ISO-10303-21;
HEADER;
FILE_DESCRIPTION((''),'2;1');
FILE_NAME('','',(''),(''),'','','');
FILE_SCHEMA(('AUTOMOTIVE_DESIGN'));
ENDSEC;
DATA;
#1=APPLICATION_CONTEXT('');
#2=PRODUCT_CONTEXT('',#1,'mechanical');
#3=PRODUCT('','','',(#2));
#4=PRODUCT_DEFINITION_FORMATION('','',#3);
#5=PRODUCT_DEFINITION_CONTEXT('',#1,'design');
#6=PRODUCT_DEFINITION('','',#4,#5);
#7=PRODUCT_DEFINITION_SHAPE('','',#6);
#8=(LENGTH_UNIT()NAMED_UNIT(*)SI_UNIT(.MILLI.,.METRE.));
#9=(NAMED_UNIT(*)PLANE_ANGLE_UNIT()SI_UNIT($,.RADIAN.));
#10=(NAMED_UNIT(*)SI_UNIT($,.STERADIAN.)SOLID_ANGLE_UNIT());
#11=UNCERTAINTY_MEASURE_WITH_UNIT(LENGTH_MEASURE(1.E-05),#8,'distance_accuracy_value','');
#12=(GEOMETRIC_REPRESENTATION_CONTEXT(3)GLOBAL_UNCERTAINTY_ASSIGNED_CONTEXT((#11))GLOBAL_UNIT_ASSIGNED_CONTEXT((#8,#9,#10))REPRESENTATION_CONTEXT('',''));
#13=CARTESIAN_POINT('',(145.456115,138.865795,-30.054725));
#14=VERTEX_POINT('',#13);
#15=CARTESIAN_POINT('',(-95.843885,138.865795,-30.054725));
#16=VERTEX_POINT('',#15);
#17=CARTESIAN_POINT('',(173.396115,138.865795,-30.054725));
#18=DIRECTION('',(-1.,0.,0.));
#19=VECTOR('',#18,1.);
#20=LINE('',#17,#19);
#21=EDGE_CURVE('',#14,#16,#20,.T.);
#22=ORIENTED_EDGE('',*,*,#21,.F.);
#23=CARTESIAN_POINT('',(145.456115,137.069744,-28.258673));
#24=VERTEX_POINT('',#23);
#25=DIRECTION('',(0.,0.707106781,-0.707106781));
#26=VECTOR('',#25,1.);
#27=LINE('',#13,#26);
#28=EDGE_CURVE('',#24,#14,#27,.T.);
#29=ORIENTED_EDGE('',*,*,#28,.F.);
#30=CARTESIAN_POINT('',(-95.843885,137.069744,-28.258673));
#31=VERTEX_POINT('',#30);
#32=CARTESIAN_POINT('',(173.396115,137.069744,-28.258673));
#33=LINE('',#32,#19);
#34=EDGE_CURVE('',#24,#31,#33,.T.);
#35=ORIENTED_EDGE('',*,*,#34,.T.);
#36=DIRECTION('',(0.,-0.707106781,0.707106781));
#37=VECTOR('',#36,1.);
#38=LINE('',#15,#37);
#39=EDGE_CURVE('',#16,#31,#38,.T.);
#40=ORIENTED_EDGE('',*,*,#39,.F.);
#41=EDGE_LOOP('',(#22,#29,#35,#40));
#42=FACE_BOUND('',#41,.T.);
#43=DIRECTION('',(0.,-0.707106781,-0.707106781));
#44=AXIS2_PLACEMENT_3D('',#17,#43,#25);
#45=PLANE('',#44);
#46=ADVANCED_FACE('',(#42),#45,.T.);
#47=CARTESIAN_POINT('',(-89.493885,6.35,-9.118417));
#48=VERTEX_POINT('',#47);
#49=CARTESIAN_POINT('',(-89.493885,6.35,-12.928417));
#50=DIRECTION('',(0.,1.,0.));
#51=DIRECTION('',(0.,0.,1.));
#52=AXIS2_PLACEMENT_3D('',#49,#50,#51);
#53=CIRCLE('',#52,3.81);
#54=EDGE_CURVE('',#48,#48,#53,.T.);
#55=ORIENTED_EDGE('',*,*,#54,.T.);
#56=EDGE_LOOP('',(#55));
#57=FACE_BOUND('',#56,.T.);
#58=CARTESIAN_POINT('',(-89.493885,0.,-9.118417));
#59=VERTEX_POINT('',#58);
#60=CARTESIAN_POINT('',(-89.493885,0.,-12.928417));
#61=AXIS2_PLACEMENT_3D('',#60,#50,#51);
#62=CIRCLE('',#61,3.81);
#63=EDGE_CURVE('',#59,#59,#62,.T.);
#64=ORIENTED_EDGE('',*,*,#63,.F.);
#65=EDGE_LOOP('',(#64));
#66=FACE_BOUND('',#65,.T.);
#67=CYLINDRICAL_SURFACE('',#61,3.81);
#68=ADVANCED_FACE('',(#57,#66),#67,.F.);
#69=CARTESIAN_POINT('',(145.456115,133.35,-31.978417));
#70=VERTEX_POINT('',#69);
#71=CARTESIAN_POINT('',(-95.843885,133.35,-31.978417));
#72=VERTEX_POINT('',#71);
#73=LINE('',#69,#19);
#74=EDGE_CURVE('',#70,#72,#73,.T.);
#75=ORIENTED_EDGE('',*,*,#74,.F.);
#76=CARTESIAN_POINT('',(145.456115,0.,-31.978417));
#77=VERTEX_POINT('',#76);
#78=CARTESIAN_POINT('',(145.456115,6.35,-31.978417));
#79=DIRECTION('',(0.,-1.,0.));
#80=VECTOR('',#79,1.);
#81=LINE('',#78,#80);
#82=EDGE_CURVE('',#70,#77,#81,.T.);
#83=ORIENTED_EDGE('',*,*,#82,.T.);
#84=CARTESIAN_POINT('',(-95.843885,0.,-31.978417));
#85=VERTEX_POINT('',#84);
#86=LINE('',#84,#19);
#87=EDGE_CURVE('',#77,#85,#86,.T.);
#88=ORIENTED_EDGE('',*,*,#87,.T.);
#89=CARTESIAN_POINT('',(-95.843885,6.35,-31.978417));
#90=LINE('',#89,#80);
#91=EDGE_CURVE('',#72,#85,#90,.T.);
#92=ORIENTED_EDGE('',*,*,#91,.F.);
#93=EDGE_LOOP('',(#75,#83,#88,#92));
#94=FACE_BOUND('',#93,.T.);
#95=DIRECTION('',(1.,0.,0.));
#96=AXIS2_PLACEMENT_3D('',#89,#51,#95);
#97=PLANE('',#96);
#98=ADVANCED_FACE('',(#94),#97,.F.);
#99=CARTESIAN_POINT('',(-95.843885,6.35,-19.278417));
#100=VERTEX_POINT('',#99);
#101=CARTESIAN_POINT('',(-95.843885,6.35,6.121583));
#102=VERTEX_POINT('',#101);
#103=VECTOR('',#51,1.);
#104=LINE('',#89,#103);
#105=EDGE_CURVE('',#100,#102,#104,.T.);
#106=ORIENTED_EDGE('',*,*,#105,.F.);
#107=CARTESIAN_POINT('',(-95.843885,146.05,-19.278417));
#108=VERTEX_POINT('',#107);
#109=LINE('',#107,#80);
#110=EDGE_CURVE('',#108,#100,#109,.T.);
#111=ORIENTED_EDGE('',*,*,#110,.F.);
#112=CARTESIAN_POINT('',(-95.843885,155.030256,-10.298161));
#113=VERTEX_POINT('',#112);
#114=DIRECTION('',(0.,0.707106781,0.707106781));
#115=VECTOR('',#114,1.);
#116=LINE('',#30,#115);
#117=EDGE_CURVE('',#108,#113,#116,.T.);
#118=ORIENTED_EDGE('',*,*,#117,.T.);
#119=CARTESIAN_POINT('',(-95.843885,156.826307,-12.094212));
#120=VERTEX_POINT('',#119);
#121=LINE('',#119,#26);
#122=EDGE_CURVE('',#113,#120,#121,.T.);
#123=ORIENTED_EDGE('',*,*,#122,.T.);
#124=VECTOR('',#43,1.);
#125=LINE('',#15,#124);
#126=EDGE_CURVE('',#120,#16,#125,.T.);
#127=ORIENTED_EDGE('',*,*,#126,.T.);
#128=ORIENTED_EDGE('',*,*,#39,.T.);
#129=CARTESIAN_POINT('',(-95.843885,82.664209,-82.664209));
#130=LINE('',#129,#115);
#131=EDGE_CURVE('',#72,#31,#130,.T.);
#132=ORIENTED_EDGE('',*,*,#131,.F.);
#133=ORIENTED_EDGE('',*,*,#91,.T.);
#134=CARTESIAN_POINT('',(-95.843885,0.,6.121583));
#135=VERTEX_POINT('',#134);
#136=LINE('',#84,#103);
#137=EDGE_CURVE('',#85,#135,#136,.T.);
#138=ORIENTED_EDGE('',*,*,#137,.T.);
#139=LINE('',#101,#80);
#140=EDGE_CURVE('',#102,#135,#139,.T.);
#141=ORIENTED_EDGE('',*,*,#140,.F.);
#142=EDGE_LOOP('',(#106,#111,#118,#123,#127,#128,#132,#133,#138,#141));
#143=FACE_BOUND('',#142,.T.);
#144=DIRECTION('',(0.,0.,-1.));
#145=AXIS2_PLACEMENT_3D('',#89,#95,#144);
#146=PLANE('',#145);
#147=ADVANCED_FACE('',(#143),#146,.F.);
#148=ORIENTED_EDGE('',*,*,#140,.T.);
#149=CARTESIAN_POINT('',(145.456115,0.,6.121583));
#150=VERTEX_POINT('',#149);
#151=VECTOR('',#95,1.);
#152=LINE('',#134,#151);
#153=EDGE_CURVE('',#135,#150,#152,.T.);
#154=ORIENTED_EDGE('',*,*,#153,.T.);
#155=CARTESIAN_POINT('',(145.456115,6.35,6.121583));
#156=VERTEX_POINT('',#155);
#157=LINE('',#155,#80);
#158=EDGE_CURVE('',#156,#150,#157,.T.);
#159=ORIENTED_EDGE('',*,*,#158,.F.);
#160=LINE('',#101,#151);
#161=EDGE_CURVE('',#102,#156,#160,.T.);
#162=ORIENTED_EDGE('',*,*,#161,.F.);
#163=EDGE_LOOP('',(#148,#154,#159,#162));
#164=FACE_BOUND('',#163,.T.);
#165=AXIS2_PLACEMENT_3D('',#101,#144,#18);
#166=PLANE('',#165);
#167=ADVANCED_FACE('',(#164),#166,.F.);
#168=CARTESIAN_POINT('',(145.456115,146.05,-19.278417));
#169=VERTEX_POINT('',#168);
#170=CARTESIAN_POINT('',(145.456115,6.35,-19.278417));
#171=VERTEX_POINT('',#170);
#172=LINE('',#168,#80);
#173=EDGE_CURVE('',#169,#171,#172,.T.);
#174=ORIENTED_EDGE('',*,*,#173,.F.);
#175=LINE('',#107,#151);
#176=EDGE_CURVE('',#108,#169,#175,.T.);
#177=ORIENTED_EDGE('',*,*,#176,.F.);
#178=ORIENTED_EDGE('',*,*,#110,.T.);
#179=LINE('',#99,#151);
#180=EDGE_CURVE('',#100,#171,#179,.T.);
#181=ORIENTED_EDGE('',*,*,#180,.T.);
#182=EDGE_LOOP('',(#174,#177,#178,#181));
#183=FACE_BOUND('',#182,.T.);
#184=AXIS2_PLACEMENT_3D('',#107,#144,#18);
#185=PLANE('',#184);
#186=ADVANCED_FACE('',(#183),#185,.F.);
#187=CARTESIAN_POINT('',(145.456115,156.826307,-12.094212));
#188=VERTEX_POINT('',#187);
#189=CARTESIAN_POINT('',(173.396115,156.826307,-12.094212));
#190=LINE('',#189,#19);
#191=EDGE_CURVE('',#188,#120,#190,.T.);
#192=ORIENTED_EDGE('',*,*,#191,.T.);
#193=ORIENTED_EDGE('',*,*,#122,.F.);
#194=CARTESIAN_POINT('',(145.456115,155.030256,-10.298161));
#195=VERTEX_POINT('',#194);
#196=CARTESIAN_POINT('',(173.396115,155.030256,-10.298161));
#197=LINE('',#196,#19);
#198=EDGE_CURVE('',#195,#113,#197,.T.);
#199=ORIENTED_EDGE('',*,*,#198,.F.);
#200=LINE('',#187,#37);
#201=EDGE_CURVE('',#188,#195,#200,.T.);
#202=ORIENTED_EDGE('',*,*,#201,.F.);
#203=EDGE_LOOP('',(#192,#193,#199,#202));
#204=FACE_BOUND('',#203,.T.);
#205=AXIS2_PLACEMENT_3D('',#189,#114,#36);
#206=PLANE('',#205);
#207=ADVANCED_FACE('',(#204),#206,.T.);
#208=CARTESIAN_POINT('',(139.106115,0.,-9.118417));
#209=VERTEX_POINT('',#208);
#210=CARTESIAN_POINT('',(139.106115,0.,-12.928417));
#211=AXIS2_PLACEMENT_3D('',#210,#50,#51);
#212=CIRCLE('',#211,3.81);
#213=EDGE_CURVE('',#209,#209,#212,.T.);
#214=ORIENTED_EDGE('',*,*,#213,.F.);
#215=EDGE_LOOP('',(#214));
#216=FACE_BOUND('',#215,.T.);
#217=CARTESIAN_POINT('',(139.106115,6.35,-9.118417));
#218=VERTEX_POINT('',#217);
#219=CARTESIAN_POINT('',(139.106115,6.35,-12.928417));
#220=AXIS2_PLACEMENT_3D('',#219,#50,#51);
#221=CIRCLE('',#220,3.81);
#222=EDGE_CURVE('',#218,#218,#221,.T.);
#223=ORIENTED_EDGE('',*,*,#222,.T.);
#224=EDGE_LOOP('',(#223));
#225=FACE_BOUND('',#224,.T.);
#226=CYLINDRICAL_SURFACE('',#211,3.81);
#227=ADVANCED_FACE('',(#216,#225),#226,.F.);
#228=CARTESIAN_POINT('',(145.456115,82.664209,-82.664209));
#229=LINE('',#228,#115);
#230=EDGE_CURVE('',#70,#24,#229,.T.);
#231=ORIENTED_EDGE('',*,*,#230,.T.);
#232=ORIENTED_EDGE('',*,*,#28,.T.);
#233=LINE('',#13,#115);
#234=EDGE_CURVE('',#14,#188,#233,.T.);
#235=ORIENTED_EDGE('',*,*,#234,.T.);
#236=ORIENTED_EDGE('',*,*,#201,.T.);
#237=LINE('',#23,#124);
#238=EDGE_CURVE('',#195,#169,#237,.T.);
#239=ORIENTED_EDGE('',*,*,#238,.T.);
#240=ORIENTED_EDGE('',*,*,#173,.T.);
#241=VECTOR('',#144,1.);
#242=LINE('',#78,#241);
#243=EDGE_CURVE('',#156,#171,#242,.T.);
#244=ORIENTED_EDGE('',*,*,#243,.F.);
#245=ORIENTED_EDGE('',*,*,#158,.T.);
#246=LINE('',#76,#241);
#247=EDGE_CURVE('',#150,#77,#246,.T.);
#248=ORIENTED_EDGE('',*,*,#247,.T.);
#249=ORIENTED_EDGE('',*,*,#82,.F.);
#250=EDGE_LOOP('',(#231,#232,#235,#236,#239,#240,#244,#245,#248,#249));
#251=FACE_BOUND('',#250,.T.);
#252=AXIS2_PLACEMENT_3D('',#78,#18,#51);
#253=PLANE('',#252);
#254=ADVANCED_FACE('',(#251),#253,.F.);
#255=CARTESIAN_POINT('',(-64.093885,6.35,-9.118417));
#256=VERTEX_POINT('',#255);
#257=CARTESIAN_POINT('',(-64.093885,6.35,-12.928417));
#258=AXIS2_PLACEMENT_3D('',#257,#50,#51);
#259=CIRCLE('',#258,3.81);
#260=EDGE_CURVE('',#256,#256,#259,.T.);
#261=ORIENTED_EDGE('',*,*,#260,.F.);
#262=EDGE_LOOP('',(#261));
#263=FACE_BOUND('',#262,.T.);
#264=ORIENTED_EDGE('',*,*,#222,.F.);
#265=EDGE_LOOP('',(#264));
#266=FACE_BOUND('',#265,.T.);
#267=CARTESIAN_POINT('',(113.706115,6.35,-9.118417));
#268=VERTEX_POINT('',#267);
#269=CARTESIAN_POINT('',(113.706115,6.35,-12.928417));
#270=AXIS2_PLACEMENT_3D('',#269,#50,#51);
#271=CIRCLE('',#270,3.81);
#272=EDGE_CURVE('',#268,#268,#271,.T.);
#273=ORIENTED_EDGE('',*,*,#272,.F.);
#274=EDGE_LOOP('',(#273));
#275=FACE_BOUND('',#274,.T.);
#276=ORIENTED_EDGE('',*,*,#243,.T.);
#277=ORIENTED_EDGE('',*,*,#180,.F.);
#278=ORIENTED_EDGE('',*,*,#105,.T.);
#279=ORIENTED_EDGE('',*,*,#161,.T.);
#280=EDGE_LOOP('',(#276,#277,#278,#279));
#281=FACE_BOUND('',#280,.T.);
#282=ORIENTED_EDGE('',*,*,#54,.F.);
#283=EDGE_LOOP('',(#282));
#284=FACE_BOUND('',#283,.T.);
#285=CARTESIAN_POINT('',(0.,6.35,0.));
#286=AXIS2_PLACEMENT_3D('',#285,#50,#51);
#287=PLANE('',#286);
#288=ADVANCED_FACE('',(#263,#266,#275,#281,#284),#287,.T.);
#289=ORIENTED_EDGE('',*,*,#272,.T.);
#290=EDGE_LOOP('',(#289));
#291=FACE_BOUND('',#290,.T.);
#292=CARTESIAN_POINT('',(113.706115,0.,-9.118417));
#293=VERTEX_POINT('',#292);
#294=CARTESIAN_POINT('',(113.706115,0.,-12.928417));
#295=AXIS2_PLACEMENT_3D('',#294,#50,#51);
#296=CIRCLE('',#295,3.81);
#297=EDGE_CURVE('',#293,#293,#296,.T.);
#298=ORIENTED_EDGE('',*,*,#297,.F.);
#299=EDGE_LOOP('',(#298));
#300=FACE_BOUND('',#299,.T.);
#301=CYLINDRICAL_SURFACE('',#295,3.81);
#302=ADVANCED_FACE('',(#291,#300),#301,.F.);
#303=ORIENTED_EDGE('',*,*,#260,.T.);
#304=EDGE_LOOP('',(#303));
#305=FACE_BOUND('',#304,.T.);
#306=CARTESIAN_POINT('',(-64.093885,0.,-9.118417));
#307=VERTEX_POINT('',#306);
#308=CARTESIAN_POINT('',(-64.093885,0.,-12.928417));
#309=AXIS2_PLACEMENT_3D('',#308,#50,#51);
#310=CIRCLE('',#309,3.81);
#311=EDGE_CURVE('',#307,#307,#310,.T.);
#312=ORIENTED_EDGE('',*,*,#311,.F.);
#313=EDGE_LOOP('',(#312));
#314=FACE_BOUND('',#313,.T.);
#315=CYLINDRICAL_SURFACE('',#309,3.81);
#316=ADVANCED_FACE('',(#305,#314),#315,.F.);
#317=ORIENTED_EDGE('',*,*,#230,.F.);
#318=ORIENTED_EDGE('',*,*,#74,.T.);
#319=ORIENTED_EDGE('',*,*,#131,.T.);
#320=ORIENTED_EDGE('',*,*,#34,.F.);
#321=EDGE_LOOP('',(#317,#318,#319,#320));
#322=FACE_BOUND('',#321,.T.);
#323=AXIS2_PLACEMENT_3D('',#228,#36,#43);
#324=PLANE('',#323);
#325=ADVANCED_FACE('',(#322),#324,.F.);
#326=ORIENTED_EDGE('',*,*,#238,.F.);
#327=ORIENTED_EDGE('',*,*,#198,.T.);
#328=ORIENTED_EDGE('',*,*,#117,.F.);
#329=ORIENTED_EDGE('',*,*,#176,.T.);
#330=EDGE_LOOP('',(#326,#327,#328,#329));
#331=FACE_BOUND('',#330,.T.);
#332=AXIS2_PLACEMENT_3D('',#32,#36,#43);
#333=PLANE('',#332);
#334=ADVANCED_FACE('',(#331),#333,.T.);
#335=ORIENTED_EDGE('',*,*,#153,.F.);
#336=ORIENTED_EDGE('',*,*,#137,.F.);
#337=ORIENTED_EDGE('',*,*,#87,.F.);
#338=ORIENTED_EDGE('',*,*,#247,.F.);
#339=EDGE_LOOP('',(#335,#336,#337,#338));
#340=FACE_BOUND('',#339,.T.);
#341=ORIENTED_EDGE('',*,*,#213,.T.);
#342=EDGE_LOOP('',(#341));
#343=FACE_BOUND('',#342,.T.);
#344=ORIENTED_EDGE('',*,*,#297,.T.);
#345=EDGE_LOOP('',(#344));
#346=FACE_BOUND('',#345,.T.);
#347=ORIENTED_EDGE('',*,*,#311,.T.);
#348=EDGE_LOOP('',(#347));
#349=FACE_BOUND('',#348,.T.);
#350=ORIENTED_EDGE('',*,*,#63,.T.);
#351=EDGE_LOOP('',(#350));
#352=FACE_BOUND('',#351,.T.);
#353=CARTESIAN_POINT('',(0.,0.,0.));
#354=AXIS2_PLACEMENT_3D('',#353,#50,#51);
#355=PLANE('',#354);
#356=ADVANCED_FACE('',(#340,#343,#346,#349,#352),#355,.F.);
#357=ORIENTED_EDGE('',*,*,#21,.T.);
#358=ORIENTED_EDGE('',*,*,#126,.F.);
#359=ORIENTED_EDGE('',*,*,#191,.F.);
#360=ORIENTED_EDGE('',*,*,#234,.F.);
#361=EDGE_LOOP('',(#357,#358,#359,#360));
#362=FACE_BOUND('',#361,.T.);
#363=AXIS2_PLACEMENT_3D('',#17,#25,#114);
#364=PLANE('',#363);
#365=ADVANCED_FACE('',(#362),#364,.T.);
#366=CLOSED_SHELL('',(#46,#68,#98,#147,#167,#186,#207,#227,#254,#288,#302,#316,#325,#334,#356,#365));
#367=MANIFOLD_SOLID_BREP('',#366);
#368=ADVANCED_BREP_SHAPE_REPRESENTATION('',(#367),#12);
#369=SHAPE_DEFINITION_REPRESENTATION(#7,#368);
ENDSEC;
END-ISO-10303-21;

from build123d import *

# Parameters (mm, degrees)
SKETCH1_W           = 241.3
SKETCH1_H           = 38.1
BOSS_EXTRUDE1_DEPTH = 6.35
SKETCH2_R           = 3.81
CUT_EXTRUDE1_DEPTH  = 7.35
SKETCH3_W           = 241.3
SKETCH3_H           = 12.7
BOSS_EXTRUDE2_DEPTH = 139.7
CUT_EXTRUDE4_DEPTH  = 242.3
BOSS_EXTRUDE5_DEPTH = 241.3


with BuildPart() as part:
    # Sketch1 → Boss-Extrude1 (new body)
    with BuildSketch(Plane(origin=(0, 0, 0), x_dir=(1, 0, 0), z_dir=(0, 1, 0))):
        with Locations((24.806115108, 12.928417266)):
            Rectangle(SKETCH1_W, SKETCH1_H)
    extrude(amount=BOSS_EXTRUDE1_DEPTH)

    # Sketch2 → Cut-Extrude1 (cut, through all)
    with BuildSketch(Plane(origin=(0, 6.35, 0), x_dir=(1, 0, 0), z_dir=(0, 1, 0))):
        with Locations((-89.493884892, 12.928417266)):
            Circle(SKETCH2_R)
        with Locations((-64.093884892, 12.928417266)):
            Circle(SKETCH2_R)
        with Locations((113.706115108, 12.928417266)):
            Circle(SKETCH2_R)
        with Locations((139.106115108, 12.928417266)):
            Circle(SKETCH2_R)
    extrude(amount=-CUT_EXTRUDE1_DEPTH, mode=Mode.SUBTRACT)

    # Sketch3 → Boss-Extrude2 (add)
    with BuildSketch(Plane(origin=(0, 6.35, 0), x_dir=(1, 0, 0), z_dir=(0, 1, 0))):
        with Locations((24.806115108, 25.628417266)):
            Rectangle(SKETCH3_W, SKETCH3_H)
    extrude(amount=BOSS_EXTRUDE2_DEPTH)

    # Sketch8 → Cut-Extrude4 (cut, through all)
    with BuildSketch(Plane.ZY.offset(95.843884892)):
        Polygon((-19.278417266, 146.05), (-31.978417266, 146.05), (-31.978417266, 133.35), align=None)
        Polygon((-31.978417266, 133.35), (-31.978417266, 146.05), (-19.278417266, 146.05), (-19.278417266, 148.59), (-34.518417266, 148.59), (-34.518417266, 133.35), align=None)
    extrude(amount=-CUT_EXTRUDE4_DEPTH, mode=Mode.SUBTRACT)

    # Sketch9 → Boss-Extrude5 (add)
    with BuildSketch(Plane.ZY.offset(95.843884892)):
        Polygon((-30.054724611, 138.865795103), (-12.094212369, 156.826307345), (-10.298161145, 155.030256121), (-28.258673387, 137.069743879), align=None)
    extrude(amount=-BOSS_EXTRUDE5_DEPTH)


solid = part.part
